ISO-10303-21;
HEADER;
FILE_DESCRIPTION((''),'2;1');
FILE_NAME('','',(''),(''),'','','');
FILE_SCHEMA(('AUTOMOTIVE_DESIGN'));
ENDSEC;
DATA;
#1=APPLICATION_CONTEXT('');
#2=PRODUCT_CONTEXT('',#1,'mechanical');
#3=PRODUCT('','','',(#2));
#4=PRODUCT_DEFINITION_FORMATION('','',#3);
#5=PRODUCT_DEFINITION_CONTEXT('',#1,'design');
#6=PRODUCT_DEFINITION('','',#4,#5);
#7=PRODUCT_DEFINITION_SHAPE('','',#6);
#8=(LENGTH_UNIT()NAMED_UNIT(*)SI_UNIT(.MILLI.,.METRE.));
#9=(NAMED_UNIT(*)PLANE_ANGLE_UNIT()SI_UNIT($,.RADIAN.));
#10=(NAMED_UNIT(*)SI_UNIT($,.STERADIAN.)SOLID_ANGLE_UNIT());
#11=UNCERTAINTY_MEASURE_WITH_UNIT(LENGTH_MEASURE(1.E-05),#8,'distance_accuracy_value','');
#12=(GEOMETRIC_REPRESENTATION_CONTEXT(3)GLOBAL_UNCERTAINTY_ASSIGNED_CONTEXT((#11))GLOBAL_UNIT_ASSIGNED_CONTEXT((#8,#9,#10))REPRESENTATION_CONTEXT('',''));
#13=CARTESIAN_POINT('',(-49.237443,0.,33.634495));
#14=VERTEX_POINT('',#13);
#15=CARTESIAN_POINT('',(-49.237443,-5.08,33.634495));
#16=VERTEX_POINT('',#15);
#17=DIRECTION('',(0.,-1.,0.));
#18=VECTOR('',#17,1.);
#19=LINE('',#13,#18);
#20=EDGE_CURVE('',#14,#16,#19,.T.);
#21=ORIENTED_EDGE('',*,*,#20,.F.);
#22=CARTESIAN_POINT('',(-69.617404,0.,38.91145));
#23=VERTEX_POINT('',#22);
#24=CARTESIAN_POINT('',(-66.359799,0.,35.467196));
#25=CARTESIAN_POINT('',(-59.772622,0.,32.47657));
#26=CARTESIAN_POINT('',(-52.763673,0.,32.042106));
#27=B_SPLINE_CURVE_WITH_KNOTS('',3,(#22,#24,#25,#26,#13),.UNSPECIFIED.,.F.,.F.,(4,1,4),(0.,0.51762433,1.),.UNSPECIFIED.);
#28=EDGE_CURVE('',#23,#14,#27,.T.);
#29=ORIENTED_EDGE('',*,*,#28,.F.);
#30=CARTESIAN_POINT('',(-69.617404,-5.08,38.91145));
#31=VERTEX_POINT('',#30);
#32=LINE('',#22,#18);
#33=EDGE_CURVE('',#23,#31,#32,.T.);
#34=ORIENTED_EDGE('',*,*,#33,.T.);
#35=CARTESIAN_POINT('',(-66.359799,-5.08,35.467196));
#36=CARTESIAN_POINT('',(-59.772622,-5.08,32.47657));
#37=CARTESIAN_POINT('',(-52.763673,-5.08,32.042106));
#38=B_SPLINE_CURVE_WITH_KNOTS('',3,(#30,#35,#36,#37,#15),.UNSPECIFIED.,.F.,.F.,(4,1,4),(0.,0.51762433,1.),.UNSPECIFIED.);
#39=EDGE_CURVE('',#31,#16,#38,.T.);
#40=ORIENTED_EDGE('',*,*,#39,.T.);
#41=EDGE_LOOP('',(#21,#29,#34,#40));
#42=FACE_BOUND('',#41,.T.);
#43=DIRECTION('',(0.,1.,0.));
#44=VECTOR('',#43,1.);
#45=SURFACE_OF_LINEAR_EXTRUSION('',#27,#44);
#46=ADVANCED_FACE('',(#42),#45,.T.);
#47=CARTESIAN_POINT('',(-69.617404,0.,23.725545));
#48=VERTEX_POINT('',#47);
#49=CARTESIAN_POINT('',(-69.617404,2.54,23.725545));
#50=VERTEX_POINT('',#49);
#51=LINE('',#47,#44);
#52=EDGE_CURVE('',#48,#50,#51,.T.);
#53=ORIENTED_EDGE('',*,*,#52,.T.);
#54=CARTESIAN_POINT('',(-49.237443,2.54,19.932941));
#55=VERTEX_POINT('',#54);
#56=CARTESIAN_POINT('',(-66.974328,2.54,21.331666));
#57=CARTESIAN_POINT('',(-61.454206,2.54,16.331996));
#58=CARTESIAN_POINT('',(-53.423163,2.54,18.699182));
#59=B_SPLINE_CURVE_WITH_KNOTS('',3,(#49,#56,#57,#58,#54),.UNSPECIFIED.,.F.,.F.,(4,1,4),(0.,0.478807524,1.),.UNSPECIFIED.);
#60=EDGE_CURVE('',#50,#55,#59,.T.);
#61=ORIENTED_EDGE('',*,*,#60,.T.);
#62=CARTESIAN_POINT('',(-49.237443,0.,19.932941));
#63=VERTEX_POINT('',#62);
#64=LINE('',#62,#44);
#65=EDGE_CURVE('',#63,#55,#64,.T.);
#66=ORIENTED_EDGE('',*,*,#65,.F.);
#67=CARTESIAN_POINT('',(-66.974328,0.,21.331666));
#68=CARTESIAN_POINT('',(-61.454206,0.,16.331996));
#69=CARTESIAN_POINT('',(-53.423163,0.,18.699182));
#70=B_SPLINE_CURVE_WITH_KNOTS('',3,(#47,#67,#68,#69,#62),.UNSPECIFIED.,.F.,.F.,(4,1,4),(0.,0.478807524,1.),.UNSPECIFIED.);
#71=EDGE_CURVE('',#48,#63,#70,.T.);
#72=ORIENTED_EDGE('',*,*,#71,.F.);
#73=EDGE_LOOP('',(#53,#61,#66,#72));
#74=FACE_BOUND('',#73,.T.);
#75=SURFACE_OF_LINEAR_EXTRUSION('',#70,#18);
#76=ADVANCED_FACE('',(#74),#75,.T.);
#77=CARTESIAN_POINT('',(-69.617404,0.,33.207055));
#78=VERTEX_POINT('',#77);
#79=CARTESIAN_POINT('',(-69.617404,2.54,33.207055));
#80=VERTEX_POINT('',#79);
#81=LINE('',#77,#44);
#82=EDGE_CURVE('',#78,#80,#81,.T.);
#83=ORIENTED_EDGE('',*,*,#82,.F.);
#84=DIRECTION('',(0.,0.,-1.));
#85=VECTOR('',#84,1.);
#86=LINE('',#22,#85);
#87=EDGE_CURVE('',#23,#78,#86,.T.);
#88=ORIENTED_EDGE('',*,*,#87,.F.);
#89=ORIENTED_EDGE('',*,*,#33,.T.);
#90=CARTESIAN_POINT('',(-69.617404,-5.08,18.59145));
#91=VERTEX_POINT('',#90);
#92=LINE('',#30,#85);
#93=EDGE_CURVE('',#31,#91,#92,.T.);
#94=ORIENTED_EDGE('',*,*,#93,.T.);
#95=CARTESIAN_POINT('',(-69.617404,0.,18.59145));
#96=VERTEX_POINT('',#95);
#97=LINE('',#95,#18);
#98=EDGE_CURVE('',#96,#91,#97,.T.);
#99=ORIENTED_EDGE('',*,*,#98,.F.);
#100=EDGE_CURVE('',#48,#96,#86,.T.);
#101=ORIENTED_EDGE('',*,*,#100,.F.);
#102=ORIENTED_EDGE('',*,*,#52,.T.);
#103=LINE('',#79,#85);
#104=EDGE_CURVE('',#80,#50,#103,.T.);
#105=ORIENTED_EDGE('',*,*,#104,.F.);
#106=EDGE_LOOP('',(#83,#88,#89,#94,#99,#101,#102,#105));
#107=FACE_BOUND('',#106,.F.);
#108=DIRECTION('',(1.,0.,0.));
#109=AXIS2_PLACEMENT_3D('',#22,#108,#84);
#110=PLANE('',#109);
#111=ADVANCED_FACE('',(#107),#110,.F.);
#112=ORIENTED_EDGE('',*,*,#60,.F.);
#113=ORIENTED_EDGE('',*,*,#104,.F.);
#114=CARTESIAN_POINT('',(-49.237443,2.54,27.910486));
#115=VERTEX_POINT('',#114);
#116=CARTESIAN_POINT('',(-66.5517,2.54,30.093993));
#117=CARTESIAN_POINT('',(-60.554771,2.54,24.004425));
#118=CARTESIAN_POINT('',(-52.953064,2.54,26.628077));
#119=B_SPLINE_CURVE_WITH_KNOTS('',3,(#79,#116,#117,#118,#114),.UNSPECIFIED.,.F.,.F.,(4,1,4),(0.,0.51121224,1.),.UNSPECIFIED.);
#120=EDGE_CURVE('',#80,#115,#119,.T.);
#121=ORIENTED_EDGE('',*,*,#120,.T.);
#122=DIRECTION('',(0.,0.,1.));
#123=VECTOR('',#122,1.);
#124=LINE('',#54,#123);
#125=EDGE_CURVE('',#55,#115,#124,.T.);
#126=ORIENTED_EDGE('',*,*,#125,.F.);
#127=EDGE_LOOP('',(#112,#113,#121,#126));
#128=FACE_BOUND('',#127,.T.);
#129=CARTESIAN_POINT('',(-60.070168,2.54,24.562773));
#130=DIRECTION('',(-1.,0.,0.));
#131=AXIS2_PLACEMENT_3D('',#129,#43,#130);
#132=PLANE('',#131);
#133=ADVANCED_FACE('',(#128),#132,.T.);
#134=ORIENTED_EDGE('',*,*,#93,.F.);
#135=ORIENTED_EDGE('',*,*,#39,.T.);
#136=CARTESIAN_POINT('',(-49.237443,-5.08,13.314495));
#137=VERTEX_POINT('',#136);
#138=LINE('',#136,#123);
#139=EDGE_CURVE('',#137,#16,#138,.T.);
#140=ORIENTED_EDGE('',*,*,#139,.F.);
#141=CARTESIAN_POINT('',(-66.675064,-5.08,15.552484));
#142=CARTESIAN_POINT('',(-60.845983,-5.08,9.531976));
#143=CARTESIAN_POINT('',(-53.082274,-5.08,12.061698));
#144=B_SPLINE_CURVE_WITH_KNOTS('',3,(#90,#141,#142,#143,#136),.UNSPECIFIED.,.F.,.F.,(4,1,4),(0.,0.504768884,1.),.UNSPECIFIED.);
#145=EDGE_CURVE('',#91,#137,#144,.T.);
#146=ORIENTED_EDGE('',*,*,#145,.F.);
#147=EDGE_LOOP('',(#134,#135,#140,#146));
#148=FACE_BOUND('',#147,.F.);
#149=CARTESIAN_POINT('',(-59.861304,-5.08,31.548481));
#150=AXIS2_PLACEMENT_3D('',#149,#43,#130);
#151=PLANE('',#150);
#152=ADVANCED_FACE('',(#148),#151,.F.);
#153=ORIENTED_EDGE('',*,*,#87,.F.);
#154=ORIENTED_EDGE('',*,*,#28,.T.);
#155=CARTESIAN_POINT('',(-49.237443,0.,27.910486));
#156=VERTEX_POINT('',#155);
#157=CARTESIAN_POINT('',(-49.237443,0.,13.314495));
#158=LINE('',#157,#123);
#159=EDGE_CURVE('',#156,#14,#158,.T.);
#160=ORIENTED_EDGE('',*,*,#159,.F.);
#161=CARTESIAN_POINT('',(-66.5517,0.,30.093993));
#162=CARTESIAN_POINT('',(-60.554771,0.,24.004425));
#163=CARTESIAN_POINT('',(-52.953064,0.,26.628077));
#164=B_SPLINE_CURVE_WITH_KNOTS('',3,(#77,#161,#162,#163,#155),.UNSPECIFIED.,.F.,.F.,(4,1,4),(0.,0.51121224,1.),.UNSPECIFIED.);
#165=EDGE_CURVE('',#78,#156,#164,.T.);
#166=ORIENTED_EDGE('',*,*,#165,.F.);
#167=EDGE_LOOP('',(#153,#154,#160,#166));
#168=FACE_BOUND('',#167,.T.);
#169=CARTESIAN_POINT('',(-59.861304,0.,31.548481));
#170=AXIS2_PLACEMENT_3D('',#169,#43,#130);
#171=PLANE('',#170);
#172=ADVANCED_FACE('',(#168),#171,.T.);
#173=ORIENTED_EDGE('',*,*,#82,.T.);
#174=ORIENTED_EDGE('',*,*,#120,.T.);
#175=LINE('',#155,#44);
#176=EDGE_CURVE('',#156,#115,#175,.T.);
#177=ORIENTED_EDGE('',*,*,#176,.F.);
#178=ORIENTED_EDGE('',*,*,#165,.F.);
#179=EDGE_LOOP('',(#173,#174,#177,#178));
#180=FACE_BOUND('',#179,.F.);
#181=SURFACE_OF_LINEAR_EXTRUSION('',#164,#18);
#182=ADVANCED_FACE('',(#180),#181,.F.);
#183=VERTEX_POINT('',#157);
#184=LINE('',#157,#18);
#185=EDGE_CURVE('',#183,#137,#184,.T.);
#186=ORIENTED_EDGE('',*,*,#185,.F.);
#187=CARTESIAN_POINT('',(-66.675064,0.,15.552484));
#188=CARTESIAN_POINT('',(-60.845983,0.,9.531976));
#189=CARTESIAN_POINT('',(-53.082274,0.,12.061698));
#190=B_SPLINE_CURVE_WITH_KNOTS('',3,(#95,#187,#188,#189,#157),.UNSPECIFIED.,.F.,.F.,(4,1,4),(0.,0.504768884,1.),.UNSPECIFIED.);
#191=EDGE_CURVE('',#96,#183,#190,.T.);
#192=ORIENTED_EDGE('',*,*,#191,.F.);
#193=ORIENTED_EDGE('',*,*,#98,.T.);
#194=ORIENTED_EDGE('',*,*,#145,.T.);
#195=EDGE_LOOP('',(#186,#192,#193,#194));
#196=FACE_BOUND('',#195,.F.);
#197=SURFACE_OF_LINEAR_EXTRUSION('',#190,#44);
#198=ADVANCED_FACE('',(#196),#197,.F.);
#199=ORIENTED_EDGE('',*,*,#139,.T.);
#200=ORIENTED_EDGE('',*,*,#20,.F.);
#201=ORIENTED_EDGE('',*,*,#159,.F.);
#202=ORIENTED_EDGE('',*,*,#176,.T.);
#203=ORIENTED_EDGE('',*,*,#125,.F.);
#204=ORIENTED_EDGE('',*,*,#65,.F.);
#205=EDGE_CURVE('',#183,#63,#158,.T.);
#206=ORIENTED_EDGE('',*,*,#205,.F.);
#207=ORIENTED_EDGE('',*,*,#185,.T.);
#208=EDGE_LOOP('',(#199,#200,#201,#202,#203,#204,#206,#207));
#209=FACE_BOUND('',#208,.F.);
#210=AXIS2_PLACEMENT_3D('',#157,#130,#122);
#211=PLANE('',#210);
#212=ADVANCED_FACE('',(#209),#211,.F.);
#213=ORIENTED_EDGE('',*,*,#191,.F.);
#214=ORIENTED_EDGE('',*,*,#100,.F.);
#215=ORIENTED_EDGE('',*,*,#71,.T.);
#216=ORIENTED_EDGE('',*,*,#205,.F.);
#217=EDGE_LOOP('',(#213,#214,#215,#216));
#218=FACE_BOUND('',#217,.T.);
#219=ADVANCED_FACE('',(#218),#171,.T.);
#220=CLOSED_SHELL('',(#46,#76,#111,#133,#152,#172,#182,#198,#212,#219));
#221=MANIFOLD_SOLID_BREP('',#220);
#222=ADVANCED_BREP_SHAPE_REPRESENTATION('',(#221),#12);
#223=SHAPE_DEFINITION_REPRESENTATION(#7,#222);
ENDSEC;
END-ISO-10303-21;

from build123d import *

# Parameters (mm, degrees)
F1_DEPTH = 5.08
F2_DEPTH = 2.54


with BuildPart() as f1:
    # F0 (on Front) → F1 (new body)
    with BuildSketch(Plane.XZ):
        with BuildLine():
            add(Edge.make_bspline(
                [(-69.6174035709, 38.9114496066), (-66.359799217, 35.4671963141), (-59.7726218188, 32.4765695979), (-52.7636727049, 32.0421056963), (-49.2374432345, 33.6344950691)],
                knots=[0, 0, 0, 0, 0.5176243296, 1, 1, 1, 1], degree=3))
            Line((-69.6174035709, 38.9114496066), (-69.6174035709, 33.2070551813))
            add(Edge.make_bspline(
                [(-69.6174035709, 33.2070551813), (-66.5517001475, 30.0939932543), (-60.5547713105, 24.0044248054), (-52.953064486, 26.6280768551), (-49.2374432345, 27.9104858637)],
                knots=[0, 0, 0, 0, 0.5112122399, 1, 1, 1, 1], degree=3))
            Line((-49.2374432345, 27.9104858637), (-49.2374432345, 33.6344950691))
        make_face()
        with BuildLine():
            add(Edge.make_bspline(
                [(-69.6174035709, 33.2070551813), (-66.5517001475, 30.0939932543), (-60.5547713105, 24.0044248054), (-52.953064486, 26.6280768551), (-49.2374432345, 27.9104858637)],
                knots=[0, 0, 0, 0, 0.5112122399, 1, 1, 1, 1], degree=3))
            Line((-69.6174035709, 33.2070551813), (-69.6174035709, 23.7255450338))
            add(Edge.make_bspline(
                [(-69.6174035709, 23.7255450338), (-66.9743276989, 21.3316657539), (-61.4542058548, 16.33199645), (-53.4231625696, 18.6991815426), (-49.2374432345, 19.9329406023)],
                knots=[0, 0, 0, 0, 0.4788075239, 1, 1, 1, 1], degree=3))
            Line((-49.2374432345, 19.9329406023), (-49.2374432345, 27.9104858637))
        make_face()
        with BuildLine():
            add(Edge.make_bspline(
                [(-69.6174035709, 23.7255450338), (-66.9743276989, 21.3316657539), (-61.4542058548, 16.33199645), (-53.4231625696, 18.6991815426), (-49.2374432345, 19.9329406023)],
                knots=[0, 0, 0, 0, 0.4788075239, 1, 1, 1, 1], degree=3))
            Line((-69.6174035709, 23.7255450338), (-69.6174035709, 18.5914496066))
            add(Edge.make_bspline(
                [(-69.6174035709, 18.5914496066), (-66.6750644405, 15.5524841836), (-60.8459826038, 9.5319755458), (-53.0822735417, 12.061697862), (-49.2374432345, 13.3144950691)],
                knots=[0, 0, 0, 0, 0.5047688835, 1, 1, 1, 1], degree=3))
            Line((-49.2374432345, 13.3144950691), (-49.2374432345, 19.9329406023))
        make_face()
    extrude(amount=F1_DEPTH)

    # F0 (on Front) → F2 (join)
    with BuildSketch(Plane.XZ):
        with BuildLine():
            add(Edge.make_bspline(
                [(-69.6174035709, 33.2070551813), (-66.5517001475, 30.0939932543), (-60.5547713105, 24.0044248054), (-52.953064486, 26.6280768551), (-49.2374432345, 27.9104858637)],
                knots=[0, 0, 0, 0, 0.5112122399, 1, 1, 1, 1], degree=3))
            Line((-69.6174035709, 33.2070551813), (-69.6174035709, 23.7255450338))
            add(Edge.make_bspline(
                [(-69.6174035709, 23.7255450338), (-66.9743276989, 21.3316657539), (-61.4542058548, 16.33199645), (-53.4231625696, 18.6991815426), (-49.2374432345, 19.9329406023)],
                knots=[0, 0, 0, 0, 0.4788075239, 1, 1, 1, 1], degree=3))
            Line((-49.2374432345, 19.9329406023), (-49.2374432345, 27.9104858637))
        make_face()
    extrude(amount=-F2_DEPTH)


solid = f1.part
